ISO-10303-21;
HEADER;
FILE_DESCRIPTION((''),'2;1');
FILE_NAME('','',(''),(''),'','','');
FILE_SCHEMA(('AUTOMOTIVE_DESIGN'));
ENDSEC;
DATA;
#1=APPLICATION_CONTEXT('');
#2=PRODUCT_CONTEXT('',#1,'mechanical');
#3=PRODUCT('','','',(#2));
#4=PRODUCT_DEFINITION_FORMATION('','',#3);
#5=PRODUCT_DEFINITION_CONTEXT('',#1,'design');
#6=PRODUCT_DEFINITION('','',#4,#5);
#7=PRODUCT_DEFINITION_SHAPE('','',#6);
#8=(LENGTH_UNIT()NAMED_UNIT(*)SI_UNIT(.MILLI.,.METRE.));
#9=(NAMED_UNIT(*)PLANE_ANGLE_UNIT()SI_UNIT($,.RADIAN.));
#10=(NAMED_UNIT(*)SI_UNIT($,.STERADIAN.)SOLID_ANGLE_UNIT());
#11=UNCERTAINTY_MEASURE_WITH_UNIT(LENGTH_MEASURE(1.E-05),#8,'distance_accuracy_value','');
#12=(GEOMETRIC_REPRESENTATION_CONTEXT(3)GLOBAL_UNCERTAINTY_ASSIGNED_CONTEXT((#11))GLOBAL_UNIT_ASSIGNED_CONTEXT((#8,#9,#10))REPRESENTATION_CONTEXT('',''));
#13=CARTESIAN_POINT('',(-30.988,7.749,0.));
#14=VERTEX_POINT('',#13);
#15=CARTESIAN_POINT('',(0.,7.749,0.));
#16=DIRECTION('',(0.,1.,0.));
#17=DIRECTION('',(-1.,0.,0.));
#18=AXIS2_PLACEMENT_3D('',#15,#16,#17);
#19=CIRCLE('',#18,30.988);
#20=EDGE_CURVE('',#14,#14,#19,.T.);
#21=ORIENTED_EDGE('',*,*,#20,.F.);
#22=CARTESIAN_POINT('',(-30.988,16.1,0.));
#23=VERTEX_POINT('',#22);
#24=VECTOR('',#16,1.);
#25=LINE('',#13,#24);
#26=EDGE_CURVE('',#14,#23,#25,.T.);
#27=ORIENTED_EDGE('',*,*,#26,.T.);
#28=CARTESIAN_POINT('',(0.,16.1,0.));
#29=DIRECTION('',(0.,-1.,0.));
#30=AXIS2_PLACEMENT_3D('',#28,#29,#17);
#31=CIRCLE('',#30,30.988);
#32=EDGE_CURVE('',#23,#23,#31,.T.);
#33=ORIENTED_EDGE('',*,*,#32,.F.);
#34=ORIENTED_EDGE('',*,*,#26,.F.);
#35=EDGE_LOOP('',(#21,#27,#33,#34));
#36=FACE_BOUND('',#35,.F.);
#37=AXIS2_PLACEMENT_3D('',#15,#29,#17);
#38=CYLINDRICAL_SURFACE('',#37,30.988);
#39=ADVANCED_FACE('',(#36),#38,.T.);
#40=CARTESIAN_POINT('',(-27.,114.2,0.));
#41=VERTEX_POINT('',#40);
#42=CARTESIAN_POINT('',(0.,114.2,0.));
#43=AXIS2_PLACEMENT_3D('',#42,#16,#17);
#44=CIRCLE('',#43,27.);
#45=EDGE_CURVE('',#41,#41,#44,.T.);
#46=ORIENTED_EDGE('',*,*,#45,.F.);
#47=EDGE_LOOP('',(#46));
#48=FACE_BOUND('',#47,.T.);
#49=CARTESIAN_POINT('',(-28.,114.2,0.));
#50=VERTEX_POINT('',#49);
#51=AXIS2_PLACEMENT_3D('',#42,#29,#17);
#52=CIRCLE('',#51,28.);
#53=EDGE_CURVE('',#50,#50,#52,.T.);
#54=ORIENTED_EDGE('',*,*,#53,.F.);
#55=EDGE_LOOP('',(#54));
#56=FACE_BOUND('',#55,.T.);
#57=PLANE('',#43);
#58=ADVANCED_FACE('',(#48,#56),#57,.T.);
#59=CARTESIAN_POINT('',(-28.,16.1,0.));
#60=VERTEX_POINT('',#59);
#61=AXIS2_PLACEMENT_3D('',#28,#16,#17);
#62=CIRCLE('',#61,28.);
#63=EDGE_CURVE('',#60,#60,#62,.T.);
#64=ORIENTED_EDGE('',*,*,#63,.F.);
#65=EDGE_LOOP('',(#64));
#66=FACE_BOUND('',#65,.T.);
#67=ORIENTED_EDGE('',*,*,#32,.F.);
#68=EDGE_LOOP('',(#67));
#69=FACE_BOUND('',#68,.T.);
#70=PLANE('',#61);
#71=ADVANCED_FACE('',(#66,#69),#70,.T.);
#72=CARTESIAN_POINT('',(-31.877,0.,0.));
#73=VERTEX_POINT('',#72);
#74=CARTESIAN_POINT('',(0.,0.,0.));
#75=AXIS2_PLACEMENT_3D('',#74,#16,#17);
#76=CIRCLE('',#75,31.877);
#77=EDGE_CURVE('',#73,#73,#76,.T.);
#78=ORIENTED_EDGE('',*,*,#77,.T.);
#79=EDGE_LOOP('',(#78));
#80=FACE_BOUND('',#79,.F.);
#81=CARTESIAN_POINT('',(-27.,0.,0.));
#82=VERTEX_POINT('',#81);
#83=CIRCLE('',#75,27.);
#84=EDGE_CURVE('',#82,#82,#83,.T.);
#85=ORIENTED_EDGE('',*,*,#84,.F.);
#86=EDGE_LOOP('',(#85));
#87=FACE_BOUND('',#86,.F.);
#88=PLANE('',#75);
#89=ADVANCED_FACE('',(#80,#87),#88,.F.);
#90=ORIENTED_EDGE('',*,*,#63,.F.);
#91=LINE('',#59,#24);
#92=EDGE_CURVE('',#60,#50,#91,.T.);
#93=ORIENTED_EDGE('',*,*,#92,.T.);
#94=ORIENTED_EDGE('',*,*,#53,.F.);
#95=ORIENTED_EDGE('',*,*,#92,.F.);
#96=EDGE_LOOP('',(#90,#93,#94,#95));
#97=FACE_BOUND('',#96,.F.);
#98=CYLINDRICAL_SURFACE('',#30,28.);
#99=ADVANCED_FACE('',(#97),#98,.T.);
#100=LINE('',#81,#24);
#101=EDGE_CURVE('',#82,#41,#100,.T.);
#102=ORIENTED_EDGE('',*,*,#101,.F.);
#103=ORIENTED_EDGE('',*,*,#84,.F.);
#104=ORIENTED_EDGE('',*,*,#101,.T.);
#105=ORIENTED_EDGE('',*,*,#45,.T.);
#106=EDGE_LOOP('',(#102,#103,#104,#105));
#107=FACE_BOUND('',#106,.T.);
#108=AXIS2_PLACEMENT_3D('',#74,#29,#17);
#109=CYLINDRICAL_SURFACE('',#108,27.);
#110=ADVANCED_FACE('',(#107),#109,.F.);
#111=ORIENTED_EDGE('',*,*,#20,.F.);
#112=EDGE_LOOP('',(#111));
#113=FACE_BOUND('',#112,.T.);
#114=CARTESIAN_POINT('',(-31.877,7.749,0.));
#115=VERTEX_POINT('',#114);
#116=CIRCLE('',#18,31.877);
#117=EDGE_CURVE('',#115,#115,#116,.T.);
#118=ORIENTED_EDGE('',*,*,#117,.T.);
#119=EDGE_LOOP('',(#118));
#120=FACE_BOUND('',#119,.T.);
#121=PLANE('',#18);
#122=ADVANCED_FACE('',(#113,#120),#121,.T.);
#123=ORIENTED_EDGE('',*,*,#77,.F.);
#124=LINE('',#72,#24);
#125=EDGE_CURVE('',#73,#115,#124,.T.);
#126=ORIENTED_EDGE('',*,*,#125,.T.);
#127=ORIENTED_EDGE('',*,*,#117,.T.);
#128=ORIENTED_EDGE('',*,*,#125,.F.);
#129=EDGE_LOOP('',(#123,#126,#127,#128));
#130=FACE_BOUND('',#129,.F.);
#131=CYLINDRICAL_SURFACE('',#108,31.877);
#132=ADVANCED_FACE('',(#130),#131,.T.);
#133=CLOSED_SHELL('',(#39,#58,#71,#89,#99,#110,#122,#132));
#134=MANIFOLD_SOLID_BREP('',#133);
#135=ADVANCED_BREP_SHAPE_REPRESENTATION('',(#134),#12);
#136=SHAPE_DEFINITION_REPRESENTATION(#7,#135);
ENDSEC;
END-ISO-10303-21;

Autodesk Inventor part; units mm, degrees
sketch "Sketch1" plane through (0, 0, 0) normal (0, 1, 0) x (-1, 0, 0)
  circle A0 centre (0, 0) radius 27
  circle A1 centre (0, 0) radius 31.877
  dimension "d0" = 54
  dimension "d1" = 63.754
extrude "Extrusion1" add sketch "Sketch1" along normal blind 114.2
ref_plane "Work Plane1" through (0, 7.749, 0) normal (0, 1, 0) x (-1, 0, 0)
sketch "Sketch3" plane through (0, 7.749, 0) normal (0, 1, 0) x (-1, 0, 0)
  circle A0 centre (0, 0) radius 31.877
  circle A1 centre (0, 0) radius 30.988
  dimension "d6" = 61.976
extrude "Extrusion2" cut sketch "Sketch3" along normal blind 200
ref_plane "Work Plane2" through (0, 16.1, 0) normal (0, 1, 0) x (-1, 0, 0)
sketch "Sketch4" plane through (0, 16.1, 0) normal (0, 1, 0) x (-1, 0, 0)
  circle A0 centre (0, 0) radius 28
  circle A1 centre (0, 0) radius 26.4727
  circle A2 centre (0, 0) radius 31.5514
  dimension "d10" = 56
extrude "Extrusion3" cut sketch "Sketch4" along normal blind 200 contours A2
ref_plane "Work Plane3" through (0, 113.3, 0) normal (0, 1, 0) x (-1, 0, 0)
properties part number "Vacuum Cylinder"
